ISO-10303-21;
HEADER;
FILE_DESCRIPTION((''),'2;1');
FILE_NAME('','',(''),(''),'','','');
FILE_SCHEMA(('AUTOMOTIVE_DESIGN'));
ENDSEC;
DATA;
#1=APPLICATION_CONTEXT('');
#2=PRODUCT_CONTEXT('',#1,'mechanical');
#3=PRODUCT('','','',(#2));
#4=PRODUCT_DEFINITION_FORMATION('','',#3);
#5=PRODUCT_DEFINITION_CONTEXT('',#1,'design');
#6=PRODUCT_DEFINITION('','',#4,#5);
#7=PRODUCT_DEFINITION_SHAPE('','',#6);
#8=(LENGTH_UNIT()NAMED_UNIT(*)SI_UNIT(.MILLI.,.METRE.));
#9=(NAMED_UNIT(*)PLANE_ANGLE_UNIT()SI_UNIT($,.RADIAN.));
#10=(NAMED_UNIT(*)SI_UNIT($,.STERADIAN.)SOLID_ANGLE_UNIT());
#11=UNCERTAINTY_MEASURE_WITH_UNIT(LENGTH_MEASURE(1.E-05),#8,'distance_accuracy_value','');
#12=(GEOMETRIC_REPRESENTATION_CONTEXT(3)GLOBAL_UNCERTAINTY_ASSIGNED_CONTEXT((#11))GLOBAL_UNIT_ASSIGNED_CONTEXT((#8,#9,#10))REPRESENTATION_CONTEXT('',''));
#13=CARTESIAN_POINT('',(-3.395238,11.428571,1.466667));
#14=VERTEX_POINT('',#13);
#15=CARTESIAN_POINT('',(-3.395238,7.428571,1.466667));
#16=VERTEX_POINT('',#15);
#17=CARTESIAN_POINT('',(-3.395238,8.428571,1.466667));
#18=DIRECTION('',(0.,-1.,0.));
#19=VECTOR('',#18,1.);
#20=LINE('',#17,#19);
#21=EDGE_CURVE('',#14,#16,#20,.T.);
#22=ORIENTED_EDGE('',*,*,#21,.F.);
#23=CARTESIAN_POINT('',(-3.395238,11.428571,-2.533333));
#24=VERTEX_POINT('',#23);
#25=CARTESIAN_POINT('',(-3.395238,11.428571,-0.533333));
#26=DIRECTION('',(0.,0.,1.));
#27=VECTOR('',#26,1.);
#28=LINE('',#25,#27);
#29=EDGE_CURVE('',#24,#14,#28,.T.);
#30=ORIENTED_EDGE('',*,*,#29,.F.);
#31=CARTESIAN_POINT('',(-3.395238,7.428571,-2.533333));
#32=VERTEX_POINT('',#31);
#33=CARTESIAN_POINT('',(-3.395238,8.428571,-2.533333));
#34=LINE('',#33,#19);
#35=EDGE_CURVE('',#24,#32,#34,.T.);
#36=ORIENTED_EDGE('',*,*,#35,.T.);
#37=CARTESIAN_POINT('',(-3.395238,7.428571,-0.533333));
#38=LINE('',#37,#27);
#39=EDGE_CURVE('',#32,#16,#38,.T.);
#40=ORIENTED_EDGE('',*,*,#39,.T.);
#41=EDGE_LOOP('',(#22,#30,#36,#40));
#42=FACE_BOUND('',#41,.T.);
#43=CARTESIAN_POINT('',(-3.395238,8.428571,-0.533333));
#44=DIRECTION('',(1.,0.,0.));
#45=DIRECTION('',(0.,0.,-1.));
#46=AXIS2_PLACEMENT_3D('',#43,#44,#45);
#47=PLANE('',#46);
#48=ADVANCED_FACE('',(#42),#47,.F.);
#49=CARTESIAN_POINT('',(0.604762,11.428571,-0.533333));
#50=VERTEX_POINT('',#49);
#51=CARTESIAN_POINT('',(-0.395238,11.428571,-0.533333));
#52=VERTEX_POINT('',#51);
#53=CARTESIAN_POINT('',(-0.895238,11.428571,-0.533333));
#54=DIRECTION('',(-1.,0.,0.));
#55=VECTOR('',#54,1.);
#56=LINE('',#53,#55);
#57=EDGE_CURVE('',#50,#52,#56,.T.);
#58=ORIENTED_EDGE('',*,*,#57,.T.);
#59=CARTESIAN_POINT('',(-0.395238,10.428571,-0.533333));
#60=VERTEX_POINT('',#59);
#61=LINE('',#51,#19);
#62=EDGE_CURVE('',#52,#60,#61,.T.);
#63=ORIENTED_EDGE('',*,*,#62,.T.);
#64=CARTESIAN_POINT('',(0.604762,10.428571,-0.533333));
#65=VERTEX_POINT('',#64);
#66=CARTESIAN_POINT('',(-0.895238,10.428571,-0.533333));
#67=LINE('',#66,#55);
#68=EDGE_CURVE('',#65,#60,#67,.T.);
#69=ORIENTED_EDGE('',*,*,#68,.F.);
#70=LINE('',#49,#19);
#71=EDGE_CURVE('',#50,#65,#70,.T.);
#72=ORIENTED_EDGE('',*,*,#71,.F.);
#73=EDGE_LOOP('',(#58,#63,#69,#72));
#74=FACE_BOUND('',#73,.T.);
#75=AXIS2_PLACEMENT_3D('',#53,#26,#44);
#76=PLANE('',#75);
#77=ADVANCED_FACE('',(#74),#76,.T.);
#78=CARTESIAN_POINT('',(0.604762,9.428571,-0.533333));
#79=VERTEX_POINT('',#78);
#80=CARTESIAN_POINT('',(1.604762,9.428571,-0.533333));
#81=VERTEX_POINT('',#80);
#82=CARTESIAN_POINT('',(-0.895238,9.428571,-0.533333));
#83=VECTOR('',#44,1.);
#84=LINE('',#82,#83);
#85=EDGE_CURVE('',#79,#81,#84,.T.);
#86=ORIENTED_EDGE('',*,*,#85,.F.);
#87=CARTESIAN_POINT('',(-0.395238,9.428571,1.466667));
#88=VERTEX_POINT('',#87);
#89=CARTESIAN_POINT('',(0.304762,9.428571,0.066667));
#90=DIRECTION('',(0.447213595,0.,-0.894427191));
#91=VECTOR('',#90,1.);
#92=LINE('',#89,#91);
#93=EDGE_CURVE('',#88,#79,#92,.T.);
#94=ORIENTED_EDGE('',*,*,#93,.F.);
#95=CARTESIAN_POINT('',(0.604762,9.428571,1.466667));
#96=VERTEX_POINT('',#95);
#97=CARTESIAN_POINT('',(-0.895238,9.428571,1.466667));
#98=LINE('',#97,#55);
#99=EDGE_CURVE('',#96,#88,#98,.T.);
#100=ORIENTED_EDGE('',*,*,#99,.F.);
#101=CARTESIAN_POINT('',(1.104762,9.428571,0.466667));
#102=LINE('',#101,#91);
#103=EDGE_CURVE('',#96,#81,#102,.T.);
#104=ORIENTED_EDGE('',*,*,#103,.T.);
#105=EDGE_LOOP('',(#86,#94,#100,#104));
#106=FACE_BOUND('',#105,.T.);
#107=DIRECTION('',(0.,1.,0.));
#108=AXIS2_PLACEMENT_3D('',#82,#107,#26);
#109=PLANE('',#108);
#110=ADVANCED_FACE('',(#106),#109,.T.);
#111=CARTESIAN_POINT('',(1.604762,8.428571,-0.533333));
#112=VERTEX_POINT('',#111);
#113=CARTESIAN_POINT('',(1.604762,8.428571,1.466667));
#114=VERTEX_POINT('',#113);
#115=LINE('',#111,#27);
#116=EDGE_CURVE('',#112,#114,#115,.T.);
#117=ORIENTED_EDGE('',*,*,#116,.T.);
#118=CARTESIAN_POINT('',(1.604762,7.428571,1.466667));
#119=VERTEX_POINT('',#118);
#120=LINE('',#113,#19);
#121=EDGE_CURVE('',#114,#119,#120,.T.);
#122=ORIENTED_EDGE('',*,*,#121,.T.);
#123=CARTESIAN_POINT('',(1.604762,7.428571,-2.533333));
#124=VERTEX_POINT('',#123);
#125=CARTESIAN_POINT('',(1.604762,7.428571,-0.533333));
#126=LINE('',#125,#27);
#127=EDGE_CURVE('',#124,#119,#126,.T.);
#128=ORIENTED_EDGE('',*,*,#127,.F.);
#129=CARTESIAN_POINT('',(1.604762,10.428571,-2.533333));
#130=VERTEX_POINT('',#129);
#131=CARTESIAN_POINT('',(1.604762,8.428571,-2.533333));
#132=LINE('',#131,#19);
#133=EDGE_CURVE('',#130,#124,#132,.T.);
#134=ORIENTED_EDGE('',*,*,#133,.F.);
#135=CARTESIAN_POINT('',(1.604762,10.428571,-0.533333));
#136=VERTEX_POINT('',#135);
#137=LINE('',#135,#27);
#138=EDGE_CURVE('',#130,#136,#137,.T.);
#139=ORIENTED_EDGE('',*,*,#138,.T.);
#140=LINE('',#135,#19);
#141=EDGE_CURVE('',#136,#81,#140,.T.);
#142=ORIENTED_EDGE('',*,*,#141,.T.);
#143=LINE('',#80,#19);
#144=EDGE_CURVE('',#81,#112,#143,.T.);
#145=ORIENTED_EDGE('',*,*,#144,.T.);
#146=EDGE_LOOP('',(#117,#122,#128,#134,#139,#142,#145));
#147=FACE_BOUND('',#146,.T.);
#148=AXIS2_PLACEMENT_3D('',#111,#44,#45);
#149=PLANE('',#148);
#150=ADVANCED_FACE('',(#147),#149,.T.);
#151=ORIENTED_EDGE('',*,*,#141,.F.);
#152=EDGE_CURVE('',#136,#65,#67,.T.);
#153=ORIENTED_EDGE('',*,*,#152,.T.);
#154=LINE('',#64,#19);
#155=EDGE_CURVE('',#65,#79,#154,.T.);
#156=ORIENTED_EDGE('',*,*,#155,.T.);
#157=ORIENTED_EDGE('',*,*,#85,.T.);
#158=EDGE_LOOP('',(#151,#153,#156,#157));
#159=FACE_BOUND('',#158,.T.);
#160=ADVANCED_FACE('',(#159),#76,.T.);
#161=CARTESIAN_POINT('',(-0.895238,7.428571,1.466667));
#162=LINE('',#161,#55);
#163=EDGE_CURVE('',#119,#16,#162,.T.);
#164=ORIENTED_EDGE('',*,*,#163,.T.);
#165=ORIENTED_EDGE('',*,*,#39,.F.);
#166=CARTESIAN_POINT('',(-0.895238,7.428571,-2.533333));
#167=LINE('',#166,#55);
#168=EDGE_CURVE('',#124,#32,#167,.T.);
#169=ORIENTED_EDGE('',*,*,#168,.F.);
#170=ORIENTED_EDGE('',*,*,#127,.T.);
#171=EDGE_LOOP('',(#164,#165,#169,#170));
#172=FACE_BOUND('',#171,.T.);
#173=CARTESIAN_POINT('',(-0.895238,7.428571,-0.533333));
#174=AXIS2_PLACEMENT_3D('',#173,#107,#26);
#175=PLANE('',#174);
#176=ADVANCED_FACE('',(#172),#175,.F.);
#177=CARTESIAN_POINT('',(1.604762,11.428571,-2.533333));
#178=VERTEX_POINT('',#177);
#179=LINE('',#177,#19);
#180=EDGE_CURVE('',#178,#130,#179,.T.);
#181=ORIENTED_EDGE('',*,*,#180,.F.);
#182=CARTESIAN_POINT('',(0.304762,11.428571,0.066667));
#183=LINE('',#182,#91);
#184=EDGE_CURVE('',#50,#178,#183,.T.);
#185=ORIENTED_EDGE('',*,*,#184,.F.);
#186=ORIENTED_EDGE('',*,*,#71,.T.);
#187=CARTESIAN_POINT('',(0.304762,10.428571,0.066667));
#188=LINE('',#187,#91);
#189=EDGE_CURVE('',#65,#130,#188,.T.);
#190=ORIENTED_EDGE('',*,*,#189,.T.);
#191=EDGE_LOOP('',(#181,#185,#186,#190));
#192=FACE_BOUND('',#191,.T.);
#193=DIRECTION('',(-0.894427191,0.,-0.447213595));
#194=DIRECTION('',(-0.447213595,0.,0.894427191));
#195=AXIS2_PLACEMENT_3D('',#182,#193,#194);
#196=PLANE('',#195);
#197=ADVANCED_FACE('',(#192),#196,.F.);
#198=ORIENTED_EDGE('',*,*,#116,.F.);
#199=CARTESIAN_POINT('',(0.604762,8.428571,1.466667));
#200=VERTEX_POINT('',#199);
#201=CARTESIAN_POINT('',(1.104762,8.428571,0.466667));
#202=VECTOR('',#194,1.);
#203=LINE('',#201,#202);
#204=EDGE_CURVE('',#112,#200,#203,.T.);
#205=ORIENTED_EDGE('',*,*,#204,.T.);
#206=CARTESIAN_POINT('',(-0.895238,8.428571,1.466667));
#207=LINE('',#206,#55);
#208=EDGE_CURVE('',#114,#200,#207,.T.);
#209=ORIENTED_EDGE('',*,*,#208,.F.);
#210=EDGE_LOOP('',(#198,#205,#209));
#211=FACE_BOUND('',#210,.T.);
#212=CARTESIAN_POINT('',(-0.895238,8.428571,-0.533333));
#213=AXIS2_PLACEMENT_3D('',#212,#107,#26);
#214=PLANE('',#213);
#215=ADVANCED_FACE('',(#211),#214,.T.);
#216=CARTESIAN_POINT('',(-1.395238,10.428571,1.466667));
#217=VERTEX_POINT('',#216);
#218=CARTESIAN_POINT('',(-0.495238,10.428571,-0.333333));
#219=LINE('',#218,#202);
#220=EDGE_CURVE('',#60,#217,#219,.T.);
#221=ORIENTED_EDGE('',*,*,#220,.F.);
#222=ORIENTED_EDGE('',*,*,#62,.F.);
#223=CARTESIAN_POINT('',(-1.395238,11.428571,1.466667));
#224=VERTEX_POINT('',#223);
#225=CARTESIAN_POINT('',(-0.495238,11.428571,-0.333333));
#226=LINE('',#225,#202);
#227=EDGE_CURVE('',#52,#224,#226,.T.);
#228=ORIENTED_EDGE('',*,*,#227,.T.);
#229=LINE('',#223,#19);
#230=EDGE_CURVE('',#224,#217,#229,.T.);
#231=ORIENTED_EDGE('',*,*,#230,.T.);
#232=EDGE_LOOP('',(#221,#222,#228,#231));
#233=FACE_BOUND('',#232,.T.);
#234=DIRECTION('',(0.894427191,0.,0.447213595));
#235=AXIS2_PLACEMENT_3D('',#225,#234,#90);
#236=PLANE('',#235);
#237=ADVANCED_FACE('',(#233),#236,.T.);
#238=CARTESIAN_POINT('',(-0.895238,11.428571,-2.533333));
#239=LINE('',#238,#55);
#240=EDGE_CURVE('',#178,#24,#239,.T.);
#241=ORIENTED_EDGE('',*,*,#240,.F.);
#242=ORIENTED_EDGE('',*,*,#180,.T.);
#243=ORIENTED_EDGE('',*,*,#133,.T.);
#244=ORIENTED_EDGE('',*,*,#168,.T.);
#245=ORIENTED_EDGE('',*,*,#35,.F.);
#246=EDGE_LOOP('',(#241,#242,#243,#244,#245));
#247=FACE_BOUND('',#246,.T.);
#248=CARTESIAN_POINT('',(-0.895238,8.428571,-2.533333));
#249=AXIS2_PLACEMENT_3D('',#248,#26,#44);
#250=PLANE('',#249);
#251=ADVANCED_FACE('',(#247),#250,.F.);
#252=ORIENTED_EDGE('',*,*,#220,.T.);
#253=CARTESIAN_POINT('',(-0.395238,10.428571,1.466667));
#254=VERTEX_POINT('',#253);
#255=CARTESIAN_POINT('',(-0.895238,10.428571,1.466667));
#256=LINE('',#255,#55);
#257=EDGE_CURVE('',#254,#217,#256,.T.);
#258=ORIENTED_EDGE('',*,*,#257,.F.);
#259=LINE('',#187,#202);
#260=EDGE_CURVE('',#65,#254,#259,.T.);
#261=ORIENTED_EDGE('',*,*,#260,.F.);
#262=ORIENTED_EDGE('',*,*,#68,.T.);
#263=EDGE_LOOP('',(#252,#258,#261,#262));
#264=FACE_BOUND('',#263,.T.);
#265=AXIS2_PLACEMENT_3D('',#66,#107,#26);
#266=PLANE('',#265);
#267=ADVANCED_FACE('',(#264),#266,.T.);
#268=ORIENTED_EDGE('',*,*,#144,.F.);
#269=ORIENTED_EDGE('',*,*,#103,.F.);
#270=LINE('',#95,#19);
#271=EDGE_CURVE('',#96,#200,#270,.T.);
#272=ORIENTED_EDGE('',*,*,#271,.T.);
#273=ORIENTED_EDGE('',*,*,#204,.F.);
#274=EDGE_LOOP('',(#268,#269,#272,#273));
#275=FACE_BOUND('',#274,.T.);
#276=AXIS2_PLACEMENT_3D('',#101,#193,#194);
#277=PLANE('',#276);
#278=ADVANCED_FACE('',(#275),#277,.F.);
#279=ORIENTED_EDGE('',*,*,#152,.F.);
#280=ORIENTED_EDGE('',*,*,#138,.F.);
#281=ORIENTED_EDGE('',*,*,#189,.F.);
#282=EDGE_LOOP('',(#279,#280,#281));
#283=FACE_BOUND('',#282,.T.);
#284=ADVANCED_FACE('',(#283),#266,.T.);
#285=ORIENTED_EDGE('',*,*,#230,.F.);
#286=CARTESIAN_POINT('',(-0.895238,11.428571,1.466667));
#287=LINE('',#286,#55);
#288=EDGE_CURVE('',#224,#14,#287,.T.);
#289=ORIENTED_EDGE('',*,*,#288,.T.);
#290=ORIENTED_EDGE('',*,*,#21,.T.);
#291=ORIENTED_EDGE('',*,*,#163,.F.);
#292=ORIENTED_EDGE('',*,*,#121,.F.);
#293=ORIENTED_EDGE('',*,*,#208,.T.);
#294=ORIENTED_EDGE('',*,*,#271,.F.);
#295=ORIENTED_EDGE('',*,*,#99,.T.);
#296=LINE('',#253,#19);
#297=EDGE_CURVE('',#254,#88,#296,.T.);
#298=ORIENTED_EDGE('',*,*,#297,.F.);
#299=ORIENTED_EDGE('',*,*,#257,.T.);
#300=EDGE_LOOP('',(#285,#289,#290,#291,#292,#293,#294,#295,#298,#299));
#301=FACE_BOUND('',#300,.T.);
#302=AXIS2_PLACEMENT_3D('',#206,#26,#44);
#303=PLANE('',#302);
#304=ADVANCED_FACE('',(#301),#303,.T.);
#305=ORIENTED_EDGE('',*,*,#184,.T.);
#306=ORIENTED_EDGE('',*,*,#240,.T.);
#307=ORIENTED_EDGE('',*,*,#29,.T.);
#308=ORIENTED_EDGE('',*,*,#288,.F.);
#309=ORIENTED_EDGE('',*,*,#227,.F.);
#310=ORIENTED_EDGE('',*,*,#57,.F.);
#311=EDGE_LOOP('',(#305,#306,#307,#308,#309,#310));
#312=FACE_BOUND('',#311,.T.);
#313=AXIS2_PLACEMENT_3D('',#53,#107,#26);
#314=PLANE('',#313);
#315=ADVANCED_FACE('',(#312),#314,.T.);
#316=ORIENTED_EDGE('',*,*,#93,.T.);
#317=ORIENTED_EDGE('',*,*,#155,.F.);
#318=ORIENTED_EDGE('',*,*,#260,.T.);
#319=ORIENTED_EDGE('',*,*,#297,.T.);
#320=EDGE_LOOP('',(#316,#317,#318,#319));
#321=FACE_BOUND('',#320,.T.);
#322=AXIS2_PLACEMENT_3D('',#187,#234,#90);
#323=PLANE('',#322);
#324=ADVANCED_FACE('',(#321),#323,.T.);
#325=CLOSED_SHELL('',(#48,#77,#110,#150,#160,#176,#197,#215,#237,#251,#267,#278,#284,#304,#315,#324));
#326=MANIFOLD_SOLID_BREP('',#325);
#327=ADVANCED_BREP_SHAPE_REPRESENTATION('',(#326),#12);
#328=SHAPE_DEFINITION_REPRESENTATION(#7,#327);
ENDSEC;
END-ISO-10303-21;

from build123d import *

# Parameters (mm, degrees)
SKETCH_1_W      = 25
SKETCH_1_H      = 20
EXTRUDE_1_DEPTH = 5
EXTRUDE_2_DEPTH = 10
EXTRUDE_4_DEPTH = 20
EXTRUDE_5_DEPTH = 15
SCALE_1_SCALE   = 0.2


with BuildPart() as part:
    # 草圖1 → 填料-伸長1 (new body)
    with BuildSketch(Plane(origin=(0, 0, 0), x_dir=(1, 0, 0), z_dir=(0, 1, 0))):
        Rectangle(SKETCH_1_W, SKETCH_1_H)
    extrude(amount=EXTRUDE_1_DEPTH)

    # 草圖1<3> → 填料-伸長2 (add)
    with BuildSketch(Plane(origin=(0, 0, 0), x_dir=(1, 0, 0), z_dir=(0, 1, 0))):
        Polygon((7.5, -10), (12.5, 0), (12.5, 10), (-12.5, 10), (-12.5, -10), align=None)
    extrude(amount=EXTRUDE_2_DEPTH)

    # 草圖1<5> → 填料-伸長4 (add)
    with BuildSketch(Plane(origin=(0, 0, 0), x_dir=(1, 0, 0), z_dir=(0, 1, 0))):
        Polygon((-2.5, -10), (2.5, 0), (7.5, 0), (12.5, 10), (-12.5, 10), (-12.5, -10), align=None)
    extrude(amount=EXTRUDE_4_DEPTH)

    # 草圖1<6> → 填料-伸長5 (add)
    with BuildSketch(Plane(origin=(0, 0, 0), x_dir=(1, 0, 0), z_dir=(0, 1, 0))):
        Polygon((7.5, 0), (2.5, 0), (-2.5, -10), (2.5, -10), align=None)
        Polygon((12.5, 10), (7.5, 0), (12.5, 0), align=None)
    extrude(amount=EXTRUDE_5_DEPTH)


with BuildPart() as part_1:
    # 縮放比例1: scaled about (-1.119047619, 9.285714286, -0.666666667)
    add(part.part.scale(SCALE_1_SCALE).moved(Location((-0.895238095, 7.428571429, -0.533333334))))


solid = part_1.part
